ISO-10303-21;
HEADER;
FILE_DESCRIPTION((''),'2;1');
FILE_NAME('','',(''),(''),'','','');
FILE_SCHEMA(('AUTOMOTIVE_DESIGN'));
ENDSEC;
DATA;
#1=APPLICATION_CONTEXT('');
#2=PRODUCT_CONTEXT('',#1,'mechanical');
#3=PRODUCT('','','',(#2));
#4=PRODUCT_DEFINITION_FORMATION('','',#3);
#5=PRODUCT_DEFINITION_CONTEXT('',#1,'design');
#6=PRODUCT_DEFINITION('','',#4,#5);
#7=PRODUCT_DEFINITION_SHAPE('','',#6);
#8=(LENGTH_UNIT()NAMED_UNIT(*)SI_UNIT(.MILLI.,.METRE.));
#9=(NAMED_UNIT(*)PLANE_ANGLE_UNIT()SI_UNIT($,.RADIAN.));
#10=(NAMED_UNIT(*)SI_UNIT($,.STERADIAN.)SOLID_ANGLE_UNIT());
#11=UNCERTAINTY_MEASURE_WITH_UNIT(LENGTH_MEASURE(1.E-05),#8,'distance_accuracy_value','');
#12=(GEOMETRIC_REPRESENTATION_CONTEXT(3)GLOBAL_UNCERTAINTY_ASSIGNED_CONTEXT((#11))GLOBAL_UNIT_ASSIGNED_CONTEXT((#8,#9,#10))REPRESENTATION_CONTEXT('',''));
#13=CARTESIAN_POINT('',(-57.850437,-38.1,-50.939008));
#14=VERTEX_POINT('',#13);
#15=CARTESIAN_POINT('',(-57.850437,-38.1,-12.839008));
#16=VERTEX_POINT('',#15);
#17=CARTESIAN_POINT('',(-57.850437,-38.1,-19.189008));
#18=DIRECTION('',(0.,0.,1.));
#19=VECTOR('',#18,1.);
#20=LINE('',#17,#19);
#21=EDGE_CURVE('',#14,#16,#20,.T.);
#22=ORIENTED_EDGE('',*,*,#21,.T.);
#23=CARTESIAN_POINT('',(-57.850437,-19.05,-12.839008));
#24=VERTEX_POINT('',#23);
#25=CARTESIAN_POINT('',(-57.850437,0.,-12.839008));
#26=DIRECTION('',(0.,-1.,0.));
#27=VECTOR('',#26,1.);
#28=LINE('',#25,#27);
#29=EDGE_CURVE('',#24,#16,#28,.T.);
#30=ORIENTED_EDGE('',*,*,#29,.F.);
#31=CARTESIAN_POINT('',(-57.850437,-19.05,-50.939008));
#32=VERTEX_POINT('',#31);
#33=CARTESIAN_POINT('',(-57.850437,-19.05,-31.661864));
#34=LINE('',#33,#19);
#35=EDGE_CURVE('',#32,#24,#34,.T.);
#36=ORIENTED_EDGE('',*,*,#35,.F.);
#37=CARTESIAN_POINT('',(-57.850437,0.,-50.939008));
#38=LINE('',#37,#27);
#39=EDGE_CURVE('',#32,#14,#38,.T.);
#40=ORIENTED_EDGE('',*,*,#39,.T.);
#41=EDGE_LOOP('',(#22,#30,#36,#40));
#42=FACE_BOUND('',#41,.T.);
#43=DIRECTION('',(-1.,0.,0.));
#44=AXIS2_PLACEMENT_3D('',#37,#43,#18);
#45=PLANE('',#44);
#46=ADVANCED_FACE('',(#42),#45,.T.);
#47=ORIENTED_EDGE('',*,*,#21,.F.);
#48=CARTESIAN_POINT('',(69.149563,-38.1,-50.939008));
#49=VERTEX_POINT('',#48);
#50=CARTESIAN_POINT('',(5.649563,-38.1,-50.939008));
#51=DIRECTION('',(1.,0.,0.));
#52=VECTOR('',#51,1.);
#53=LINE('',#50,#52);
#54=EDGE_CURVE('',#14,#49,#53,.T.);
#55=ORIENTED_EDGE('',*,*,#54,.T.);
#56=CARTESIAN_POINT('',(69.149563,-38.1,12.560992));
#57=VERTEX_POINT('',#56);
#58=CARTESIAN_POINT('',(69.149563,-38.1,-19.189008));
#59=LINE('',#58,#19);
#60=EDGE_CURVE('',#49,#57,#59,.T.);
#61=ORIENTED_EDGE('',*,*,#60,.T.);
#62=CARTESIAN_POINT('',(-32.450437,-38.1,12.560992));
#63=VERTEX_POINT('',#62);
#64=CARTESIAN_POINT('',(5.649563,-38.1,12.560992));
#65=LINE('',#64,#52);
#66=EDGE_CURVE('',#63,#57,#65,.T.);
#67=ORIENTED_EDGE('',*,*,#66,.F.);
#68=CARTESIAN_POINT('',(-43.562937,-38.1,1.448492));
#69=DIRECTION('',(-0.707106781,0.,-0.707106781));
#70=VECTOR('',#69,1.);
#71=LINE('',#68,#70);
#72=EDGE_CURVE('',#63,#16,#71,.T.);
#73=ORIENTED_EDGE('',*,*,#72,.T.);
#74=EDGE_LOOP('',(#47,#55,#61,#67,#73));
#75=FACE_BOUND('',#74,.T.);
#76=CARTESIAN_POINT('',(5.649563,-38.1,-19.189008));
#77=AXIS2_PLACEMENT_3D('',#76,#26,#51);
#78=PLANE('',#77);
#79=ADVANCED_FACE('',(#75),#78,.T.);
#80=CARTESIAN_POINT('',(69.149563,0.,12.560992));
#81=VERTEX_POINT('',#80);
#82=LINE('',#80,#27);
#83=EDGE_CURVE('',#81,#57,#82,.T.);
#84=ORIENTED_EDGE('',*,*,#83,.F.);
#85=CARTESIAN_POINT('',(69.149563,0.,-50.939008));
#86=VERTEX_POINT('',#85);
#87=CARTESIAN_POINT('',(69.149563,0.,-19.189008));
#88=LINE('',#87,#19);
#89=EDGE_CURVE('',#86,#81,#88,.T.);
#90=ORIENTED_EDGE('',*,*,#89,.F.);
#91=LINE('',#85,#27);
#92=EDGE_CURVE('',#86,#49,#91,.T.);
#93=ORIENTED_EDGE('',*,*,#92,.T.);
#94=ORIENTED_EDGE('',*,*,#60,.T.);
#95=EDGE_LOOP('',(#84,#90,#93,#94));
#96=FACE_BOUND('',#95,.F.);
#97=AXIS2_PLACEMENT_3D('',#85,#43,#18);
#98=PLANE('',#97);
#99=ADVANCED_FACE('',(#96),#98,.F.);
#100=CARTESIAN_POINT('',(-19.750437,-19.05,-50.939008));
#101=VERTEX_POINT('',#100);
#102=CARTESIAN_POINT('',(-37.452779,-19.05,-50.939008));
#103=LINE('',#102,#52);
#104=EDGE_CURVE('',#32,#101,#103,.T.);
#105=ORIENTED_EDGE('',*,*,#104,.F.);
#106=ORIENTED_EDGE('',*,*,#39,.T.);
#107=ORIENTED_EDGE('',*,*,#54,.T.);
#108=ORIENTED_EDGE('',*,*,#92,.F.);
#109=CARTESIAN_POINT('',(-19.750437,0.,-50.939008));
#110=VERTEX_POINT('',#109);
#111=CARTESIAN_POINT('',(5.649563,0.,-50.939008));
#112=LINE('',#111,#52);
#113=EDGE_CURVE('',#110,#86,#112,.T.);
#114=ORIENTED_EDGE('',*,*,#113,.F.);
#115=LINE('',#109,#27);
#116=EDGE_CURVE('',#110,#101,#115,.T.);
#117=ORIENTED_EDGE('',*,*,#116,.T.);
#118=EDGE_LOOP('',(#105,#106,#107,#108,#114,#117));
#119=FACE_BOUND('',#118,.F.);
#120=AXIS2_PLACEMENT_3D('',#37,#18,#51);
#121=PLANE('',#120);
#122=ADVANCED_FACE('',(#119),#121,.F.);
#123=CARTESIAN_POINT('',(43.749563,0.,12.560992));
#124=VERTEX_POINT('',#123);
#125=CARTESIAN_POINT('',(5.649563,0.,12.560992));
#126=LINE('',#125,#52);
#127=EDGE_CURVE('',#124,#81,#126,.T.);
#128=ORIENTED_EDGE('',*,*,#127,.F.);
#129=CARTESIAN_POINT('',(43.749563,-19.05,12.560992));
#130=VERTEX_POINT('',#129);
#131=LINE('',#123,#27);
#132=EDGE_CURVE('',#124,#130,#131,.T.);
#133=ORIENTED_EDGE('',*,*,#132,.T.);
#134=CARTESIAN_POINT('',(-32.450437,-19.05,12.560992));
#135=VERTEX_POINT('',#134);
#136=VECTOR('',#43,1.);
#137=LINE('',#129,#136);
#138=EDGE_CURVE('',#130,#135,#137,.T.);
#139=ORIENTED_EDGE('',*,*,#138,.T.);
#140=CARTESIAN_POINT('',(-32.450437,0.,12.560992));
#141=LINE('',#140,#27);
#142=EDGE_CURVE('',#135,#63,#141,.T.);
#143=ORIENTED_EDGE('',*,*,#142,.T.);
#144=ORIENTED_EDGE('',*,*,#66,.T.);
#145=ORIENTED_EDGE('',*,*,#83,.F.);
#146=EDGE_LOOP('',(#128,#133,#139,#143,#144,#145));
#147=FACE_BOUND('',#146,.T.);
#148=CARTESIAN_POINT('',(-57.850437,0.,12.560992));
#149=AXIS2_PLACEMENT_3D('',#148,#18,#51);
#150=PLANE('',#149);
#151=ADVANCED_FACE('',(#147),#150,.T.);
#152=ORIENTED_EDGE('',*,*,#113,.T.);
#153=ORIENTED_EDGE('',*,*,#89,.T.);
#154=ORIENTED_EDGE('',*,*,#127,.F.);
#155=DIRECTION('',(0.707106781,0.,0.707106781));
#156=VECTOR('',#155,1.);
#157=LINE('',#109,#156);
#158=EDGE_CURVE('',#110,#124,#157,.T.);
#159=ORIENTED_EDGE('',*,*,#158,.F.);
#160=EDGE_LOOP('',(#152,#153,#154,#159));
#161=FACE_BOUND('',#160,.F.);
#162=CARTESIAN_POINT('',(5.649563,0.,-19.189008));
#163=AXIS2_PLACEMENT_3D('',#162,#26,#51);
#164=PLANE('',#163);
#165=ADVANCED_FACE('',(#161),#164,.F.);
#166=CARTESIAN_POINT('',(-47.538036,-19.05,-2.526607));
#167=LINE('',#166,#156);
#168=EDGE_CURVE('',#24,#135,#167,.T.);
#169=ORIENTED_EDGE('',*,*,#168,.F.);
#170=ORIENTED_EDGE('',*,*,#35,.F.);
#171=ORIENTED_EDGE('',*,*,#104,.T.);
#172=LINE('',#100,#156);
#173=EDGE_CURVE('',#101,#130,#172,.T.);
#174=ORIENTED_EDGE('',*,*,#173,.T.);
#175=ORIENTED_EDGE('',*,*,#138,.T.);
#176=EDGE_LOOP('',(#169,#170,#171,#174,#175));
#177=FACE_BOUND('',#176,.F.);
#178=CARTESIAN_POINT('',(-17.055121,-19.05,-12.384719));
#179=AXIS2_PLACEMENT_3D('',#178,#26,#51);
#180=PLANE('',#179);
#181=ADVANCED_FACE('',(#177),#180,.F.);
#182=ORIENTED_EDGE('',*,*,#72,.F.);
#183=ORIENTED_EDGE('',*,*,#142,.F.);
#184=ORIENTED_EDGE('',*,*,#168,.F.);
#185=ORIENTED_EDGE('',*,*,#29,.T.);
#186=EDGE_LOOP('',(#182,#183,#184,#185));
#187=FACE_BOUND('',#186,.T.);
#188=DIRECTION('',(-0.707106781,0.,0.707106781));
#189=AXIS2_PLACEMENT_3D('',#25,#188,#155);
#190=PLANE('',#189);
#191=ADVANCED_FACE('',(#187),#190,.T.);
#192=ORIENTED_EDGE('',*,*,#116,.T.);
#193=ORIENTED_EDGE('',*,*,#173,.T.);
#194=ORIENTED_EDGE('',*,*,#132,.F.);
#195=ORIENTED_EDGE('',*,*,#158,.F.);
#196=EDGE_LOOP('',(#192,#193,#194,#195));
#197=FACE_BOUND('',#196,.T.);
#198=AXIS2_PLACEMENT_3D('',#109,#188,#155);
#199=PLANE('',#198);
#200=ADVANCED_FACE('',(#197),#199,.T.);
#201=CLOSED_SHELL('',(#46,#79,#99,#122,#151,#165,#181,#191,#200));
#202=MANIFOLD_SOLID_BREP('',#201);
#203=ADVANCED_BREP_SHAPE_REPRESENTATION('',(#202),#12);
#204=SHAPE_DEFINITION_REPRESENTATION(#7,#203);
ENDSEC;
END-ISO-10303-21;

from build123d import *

# Parameters (mm, degrees)
F0_W     = 127
F0_H     = 63.5
F1_DEPTH = 38.1
F3_DEPTH = 50.8
F5_DEPTH = 19.05


with BuildPart() as f1:
    # F0 (on Front) → F1 (new body)
    with BuildSketch(Plane.XZ):
        with Locations((5.649563, -19.189008)):
            Rectangle(F0_W, F0_H)
    extrude(amount=F1_DEPTH)

    # F2 (on Front) → F3 (cut)
    with BuildSketch(Plane.XZ):
        Polygon((-57.850437, -12.839008), (-32.450437, 12.560992), (-61.992485, 12.560992), (-61.992485, -12.82603), align=None)
    extrude(amount=F3_DEPTH, mode=Mode.SUBTRACT)

    # F4 (on Front) → F5 (cut)
    with BuildSketch(Plane.XZ):
        Polygon((-19.750437, -50.939008), (43.749563, 12.560992), (-59.24404, 12.560992), (-59.24404, -50.99874), align=None)
    extrude(amount=F5_DEPTH, mode=Mode.SUBTRACT)


solid = f1.part
